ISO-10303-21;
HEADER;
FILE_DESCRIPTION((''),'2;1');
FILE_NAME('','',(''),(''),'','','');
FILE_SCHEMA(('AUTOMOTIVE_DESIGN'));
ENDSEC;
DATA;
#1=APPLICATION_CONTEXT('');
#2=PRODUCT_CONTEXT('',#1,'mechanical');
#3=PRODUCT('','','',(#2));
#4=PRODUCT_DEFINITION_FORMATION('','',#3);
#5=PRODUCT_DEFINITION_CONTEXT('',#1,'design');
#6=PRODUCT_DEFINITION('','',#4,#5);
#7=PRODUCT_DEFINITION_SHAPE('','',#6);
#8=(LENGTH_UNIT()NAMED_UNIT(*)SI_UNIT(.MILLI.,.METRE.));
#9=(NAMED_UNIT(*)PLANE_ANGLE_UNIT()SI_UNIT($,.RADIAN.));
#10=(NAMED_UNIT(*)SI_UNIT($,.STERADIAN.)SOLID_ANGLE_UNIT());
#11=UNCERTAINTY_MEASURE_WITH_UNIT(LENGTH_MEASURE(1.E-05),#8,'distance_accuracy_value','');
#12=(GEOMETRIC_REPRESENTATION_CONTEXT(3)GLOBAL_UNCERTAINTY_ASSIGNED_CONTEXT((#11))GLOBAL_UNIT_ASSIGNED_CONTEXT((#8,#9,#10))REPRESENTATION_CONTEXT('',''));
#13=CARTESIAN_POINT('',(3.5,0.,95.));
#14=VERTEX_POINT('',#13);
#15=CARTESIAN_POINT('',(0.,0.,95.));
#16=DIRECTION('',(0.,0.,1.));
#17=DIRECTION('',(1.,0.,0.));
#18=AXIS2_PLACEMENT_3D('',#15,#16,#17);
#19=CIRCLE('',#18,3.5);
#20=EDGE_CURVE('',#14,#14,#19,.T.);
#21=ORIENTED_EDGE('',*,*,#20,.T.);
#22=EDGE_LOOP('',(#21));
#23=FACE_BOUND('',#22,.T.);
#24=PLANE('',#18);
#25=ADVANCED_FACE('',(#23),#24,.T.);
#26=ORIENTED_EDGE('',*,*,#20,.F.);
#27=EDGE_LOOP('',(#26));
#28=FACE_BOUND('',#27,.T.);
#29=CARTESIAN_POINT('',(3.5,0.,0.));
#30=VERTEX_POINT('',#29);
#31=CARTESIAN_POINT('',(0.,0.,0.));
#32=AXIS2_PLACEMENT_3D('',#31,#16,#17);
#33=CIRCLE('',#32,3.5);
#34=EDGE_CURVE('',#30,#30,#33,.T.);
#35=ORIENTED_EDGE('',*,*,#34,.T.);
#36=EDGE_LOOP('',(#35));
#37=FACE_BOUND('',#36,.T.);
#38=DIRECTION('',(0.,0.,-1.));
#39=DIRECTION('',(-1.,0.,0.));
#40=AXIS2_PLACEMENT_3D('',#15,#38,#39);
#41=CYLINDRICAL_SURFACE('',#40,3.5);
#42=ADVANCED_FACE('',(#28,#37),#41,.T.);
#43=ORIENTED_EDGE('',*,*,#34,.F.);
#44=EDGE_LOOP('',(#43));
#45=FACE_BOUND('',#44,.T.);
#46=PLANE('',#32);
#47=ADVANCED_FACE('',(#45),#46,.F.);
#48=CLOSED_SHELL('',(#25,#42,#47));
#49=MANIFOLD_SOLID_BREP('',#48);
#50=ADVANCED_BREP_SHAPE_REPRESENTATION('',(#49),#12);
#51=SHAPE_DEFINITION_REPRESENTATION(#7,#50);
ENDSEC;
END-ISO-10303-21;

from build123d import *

# Parameters (mm, degrees)
ESQUISSE1_R        = 3.5
BOSS_EXTRU_1_DEPTH = 95


with BuildPart() as part:
    # Esquisse1 → Boss.-Extru.1 (new body)
    with BuildSketch(Plane.XY):
        Circle(ESQUISSE1_R)
    extrude(amount=BOSS_EXTRU_1_DEPTH)


solid = part.part
